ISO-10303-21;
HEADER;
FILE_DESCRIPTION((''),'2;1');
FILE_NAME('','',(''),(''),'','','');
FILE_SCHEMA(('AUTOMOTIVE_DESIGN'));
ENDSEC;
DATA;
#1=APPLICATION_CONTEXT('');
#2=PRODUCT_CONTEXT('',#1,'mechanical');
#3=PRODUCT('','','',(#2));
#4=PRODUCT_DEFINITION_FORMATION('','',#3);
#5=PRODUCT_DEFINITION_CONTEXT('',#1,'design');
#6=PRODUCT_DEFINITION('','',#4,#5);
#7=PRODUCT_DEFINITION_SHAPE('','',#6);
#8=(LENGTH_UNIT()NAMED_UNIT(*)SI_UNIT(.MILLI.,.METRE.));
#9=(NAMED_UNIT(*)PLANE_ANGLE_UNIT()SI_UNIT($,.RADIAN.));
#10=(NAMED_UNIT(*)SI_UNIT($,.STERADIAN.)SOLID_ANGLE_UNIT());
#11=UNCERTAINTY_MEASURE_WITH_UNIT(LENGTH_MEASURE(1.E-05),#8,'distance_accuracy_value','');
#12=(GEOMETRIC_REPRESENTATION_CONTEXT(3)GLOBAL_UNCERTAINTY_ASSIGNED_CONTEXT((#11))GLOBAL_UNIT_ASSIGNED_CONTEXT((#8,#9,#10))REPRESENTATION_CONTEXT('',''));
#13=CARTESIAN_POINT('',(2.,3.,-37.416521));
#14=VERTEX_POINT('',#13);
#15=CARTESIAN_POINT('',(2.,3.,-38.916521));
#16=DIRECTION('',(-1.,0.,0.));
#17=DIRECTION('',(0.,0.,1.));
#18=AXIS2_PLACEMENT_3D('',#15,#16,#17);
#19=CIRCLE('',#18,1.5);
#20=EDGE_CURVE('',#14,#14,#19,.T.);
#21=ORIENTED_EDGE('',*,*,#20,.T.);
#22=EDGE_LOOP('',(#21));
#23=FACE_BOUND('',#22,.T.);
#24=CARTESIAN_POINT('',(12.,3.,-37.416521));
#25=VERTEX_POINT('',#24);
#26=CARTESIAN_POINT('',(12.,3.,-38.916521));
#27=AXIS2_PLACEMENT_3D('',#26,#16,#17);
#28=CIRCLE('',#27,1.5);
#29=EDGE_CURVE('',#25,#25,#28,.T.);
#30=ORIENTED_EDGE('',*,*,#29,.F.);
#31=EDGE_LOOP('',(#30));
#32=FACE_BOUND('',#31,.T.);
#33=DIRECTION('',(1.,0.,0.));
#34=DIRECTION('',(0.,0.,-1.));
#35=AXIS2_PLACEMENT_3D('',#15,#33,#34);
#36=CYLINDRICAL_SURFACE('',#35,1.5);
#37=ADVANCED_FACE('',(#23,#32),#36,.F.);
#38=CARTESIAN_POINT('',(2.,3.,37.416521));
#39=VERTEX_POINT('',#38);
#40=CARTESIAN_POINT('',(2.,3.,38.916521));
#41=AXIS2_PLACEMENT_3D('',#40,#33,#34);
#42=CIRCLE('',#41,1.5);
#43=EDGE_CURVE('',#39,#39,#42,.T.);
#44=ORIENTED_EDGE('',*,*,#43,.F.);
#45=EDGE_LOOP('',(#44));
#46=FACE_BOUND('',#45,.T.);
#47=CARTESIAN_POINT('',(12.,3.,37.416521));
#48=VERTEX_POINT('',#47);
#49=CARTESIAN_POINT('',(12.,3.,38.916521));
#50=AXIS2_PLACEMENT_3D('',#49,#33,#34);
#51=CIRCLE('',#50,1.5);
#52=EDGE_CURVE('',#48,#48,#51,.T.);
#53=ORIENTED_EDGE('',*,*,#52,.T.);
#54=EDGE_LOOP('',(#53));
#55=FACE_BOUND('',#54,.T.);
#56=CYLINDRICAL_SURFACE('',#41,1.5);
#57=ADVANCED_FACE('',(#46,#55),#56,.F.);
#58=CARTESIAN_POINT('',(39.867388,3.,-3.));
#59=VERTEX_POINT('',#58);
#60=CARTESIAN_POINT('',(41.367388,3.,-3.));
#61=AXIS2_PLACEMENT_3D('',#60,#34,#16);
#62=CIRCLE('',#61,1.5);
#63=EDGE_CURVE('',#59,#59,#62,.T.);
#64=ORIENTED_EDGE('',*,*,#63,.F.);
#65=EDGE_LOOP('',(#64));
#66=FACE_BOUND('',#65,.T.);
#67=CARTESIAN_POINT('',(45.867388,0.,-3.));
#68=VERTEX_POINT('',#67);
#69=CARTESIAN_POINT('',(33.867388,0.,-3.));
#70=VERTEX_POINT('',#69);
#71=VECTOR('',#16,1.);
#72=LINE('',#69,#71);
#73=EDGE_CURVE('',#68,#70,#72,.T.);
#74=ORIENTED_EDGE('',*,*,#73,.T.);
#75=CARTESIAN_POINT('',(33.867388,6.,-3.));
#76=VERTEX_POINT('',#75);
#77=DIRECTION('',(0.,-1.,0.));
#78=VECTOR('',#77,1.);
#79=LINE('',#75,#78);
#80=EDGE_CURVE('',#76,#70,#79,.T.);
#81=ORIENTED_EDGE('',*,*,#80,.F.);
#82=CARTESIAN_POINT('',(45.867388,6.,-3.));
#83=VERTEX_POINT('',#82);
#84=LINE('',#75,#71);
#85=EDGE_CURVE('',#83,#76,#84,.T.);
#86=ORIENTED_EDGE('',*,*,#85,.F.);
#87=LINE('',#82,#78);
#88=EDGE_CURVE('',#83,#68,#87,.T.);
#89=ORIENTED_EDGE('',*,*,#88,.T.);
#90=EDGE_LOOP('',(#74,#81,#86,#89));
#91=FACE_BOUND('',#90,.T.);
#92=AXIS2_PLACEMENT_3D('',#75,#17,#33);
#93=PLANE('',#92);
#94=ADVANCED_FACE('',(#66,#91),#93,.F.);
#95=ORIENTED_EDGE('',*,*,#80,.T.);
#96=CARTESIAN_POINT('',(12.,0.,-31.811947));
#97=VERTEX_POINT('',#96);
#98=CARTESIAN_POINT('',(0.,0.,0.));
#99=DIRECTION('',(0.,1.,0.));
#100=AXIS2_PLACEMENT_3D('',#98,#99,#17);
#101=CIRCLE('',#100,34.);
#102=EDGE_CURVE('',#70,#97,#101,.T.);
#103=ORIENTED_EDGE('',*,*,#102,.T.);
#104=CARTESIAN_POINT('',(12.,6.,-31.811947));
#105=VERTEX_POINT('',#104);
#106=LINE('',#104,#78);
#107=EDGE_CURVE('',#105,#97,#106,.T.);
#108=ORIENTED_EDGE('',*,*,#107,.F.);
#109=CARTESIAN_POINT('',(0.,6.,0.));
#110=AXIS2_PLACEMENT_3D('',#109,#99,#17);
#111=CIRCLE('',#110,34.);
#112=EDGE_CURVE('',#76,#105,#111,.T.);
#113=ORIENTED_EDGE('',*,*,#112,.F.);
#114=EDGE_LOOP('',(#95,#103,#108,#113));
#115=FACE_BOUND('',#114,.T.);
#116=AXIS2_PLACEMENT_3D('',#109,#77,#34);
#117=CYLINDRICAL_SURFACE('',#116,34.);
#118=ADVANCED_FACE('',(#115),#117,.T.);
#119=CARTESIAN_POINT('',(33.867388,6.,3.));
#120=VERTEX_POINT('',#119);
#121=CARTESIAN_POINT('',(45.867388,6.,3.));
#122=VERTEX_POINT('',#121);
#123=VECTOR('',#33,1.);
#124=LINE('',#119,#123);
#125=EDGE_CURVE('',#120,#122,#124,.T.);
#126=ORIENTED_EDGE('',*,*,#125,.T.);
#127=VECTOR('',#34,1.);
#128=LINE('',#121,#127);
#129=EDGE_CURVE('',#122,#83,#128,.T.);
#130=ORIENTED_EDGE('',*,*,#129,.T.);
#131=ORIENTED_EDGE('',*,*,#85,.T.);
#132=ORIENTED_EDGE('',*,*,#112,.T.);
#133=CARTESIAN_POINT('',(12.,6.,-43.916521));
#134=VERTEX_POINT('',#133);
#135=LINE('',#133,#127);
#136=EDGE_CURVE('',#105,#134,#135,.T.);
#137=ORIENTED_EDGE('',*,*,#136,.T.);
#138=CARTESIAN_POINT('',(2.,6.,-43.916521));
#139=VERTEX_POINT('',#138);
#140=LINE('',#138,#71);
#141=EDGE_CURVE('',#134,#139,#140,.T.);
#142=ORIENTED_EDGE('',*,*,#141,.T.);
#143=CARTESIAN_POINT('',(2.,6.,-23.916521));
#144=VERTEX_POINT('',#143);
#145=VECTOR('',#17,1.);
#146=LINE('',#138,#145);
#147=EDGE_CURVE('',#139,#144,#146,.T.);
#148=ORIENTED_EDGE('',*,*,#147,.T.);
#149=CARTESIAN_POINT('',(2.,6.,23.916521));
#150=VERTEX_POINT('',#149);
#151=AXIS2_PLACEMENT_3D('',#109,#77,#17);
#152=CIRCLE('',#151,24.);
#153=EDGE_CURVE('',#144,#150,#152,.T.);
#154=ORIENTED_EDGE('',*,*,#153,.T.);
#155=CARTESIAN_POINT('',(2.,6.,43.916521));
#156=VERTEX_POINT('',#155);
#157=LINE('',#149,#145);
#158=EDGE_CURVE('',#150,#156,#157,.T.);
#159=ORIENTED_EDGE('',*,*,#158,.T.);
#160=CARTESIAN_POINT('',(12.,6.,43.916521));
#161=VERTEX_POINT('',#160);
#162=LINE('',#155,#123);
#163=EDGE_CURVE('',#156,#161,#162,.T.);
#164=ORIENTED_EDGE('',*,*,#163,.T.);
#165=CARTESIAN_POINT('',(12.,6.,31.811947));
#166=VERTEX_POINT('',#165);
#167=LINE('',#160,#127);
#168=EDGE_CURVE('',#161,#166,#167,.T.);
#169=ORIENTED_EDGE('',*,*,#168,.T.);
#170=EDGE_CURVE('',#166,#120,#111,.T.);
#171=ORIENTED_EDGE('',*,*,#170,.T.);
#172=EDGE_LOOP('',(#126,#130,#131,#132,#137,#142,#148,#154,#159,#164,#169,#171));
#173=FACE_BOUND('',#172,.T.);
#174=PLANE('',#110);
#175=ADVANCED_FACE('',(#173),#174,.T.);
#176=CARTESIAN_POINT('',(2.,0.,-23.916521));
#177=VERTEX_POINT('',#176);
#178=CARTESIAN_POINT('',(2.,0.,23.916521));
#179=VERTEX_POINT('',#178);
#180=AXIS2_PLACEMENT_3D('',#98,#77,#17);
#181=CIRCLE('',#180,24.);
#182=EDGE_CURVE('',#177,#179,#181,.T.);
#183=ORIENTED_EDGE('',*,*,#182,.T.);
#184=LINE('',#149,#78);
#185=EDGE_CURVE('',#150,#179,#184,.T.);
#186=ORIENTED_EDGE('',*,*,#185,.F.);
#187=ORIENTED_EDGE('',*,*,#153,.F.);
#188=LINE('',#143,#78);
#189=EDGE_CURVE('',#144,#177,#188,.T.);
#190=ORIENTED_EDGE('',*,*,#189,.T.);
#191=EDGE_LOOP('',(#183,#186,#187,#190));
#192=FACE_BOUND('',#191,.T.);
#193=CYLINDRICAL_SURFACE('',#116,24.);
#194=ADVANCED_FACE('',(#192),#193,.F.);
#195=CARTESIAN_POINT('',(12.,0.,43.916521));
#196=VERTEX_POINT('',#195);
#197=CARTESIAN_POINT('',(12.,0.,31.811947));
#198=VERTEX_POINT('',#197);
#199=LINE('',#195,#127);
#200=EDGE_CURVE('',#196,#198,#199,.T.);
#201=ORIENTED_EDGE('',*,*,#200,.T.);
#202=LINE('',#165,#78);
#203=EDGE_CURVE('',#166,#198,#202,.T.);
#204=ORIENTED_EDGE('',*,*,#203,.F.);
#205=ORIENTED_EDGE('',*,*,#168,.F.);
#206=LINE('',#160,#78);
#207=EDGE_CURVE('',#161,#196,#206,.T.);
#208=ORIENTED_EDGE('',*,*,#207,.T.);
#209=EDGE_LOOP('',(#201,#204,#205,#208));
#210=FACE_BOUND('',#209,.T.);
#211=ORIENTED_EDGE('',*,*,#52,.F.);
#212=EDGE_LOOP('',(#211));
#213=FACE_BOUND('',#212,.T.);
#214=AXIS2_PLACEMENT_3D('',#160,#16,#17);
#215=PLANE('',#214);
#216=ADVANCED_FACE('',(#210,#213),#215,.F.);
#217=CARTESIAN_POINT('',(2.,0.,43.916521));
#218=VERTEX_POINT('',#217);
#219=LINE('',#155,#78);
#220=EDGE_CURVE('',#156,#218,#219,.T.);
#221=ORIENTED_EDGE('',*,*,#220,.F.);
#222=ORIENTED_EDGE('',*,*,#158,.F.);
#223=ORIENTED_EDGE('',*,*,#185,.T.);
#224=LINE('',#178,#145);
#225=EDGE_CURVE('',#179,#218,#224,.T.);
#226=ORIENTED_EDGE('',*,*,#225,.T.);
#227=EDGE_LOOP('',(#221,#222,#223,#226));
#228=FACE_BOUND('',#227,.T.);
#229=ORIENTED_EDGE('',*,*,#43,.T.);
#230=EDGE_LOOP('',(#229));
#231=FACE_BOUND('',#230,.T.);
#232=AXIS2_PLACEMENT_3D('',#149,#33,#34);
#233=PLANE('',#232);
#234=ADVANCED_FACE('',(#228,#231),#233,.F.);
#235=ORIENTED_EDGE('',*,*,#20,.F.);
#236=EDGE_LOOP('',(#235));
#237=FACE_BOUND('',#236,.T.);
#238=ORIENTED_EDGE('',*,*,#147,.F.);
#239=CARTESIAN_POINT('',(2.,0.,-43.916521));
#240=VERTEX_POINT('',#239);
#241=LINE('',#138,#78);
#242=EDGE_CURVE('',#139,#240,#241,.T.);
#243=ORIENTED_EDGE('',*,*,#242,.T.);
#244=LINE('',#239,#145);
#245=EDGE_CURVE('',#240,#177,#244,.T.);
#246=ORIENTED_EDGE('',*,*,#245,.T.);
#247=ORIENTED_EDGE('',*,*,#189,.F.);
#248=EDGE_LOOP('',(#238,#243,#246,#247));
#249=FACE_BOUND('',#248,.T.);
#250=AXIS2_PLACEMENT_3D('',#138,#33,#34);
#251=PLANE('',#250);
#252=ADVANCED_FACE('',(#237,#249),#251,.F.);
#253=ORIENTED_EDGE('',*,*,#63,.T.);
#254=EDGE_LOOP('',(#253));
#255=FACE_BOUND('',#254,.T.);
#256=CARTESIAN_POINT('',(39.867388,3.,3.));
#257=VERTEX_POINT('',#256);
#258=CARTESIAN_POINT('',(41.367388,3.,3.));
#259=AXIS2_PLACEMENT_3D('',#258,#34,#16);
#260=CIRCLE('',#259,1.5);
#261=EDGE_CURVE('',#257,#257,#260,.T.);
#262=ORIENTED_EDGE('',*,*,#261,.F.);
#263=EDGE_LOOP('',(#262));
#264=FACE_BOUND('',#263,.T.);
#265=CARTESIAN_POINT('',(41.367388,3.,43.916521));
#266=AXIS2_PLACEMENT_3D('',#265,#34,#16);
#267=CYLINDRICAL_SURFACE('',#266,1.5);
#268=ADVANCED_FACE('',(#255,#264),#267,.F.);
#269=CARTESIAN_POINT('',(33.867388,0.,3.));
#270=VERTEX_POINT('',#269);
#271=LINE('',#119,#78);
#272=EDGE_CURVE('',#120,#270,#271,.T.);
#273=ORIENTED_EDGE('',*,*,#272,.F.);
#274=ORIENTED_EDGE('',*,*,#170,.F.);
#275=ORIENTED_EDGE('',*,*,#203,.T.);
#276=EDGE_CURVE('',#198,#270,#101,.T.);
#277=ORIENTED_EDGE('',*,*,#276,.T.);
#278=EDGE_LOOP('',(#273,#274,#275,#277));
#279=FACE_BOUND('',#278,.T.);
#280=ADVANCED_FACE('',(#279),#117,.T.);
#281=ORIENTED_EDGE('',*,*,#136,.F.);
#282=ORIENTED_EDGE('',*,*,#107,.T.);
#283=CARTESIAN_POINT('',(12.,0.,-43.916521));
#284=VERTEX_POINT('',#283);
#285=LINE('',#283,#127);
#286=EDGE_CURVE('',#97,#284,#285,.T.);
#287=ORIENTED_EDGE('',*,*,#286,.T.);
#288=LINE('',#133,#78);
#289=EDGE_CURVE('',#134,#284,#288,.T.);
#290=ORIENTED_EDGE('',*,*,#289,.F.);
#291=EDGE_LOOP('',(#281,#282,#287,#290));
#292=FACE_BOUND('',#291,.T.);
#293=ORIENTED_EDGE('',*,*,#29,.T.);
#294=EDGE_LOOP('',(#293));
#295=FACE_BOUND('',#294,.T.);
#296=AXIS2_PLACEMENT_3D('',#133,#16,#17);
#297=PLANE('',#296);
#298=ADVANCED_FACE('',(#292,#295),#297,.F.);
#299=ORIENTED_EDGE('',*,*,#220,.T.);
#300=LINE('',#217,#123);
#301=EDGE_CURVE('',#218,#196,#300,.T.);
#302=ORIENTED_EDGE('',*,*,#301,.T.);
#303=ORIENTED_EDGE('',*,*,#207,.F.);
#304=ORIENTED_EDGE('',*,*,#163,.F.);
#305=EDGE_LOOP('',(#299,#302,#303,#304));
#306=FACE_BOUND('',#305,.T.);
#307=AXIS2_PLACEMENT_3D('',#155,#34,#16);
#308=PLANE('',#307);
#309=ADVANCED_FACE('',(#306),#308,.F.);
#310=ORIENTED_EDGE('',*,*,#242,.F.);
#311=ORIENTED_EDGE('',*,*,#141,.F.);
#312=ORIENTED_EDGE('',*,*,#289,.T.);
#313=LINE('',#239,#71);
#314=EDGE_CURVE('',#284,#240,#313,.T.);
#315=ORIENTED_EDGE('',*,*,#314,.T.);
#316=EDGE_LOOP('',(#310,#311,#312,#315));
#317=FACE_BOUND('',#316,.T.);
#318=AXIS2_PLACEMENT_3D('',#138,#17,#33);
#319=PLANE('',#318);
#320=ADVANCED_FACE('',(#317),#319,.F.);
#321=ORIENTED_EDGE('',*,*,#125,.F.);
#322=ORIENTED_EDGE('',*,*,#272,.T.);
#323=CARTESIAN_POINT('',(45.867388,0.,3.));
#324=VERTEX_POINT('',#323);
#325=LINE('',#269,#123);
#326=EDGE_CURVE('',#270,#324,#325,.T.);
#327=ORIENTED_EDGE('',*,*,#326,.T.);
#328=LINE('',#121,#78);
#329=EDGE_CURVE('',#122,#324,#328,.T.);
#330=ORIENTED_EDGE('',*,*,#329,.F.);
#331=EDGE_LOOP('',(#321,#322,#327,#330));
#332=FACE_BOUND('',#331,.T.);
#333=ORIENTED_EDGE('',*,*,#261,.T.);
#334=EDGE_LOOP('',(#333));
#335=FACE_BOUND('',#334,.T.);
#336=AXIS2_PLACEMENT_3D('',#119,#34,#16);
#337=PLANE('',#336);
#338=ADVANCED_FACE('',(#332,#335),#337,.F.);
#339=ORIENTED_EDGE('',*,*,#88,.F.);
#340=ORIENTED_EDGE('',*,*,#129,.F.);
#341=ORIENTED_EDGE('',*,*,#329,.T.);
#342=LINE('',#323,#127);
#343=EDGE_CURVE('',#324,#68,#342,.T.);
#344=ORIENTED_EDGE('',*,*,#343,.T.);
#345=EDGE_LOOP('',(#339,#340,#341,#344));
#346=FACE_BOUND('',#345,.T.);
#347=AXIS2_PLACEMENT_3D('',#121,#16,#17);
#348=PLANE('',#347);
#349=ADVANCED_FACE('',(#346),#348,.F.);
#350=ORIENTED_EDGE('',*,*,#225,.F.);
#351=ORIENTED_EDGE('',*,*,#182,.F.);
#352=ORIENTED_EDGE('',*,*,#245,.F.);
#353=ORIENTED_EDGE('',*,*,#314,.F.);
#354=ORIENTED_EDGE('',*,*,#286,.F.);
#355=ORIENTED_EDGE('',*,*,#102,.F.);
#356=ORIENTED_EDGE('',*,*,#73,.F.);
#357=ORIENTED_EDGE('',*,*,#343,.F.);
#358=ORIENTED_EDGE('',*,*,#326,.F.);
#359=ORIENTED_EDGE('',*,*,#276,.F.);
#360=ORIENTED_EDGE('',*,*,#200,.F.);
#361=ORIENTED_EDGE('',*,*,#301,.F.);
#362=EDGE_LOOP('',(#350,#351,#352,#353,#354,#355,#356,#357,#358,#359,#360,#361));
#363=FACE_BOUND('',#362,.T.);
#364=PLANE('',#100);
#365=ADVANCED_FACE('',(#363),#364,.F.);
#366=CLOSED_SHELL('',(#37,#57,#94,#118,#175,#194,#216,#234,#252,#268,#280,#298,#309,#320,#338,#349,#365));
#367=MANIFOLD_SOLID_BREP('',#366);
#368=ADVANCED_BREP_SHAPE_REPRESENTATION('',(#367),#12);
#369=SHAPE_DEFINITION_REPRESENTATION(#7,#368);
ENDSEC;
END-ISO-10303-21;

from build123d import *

# Parameters (mm, degrees)
BOSS_EXTRUDE1_DEPTH = 6
SKETCH3_R           = 1.5
CUT_EXTRUDE2_DEPTH  = 47.916521486
SKETCH4_R           = 1.5
CUT_EXTRUDE3_DEPTH  = 11


with BuildPart() as part:
    # Sketch1 → Boss-Extrude1 (new body)
    with BuildSketch(Plane(origin=(0, 0, 0), x_dir=(1, 0, 0), z_dir=(0, 1, 0))):
        with BuildLine():
            Line((2, 43.916521486), (2, 23.916521486))
            ThreePointArc((2, 23.916521486), (24, 0), (2, -23.916521486))
            Line((2, -23.916521486), (2, -43.916521486))
            Line((2, -43.916521486), (12, -43.916521486))
            Line((12, -43.916521486), (12, -31.811947441))
            ThreePointArc((12, -31.811947441), (27.082954224, -20.55513538), (33.867388444, -3))
            Line((33.867388444, -3), (45.867388444, -3))
            Line((45.867388444, -3), (45.867388444, 3))
            Line((45.867388444, 3), (33.867388444, 3))
            ThreePointArc((33.867388444, 3), (27.082954224, 20.55513538), (12, 31.811947441))
            Line((12, 31.811947441), (12, 43.916521486))
            Line((12, 43.916521486), (2, 43.916521486))
        make_face()
    extrude(amount=BOSS_EXTRUDE1_DEPTH)

    # Sketch3 → Cut-Extrude2 (cut, through all)
    with BuildSketch(Plane(origin=(0, 0, -3), x_dir=(-1, 0, 0), z_dir=(0, 0, -1))):
        with Locations((-41.367388444, 3)):
            Circle(SKETCH3_R)
    extrude(amount=-CUT_EXTRUDE2_DEPTH, mode=Mode.SUBTRACT)

    # Sketch4 → Cut-Extrude3 (cut, through all)
    with BuildSketch(Plane(origin=(12, 0, 0), x_dir=(0, 0, -1), z_dir=(1, 0, 0))):
        with Locations((-38.916521486, 3)):
            Circle(SKETCH4_R)
    cut_extrude3 = extrude(amount=-CUT_EXTRUDE3_DEPTH, mode=Mode.SUBTRACT)

    # Mirror1: Cut-Extrude3 across plane
    add(cut_extrude3.mirror(Plane.XY), mode=Mode.SUBTRACT)


solid = part.part
